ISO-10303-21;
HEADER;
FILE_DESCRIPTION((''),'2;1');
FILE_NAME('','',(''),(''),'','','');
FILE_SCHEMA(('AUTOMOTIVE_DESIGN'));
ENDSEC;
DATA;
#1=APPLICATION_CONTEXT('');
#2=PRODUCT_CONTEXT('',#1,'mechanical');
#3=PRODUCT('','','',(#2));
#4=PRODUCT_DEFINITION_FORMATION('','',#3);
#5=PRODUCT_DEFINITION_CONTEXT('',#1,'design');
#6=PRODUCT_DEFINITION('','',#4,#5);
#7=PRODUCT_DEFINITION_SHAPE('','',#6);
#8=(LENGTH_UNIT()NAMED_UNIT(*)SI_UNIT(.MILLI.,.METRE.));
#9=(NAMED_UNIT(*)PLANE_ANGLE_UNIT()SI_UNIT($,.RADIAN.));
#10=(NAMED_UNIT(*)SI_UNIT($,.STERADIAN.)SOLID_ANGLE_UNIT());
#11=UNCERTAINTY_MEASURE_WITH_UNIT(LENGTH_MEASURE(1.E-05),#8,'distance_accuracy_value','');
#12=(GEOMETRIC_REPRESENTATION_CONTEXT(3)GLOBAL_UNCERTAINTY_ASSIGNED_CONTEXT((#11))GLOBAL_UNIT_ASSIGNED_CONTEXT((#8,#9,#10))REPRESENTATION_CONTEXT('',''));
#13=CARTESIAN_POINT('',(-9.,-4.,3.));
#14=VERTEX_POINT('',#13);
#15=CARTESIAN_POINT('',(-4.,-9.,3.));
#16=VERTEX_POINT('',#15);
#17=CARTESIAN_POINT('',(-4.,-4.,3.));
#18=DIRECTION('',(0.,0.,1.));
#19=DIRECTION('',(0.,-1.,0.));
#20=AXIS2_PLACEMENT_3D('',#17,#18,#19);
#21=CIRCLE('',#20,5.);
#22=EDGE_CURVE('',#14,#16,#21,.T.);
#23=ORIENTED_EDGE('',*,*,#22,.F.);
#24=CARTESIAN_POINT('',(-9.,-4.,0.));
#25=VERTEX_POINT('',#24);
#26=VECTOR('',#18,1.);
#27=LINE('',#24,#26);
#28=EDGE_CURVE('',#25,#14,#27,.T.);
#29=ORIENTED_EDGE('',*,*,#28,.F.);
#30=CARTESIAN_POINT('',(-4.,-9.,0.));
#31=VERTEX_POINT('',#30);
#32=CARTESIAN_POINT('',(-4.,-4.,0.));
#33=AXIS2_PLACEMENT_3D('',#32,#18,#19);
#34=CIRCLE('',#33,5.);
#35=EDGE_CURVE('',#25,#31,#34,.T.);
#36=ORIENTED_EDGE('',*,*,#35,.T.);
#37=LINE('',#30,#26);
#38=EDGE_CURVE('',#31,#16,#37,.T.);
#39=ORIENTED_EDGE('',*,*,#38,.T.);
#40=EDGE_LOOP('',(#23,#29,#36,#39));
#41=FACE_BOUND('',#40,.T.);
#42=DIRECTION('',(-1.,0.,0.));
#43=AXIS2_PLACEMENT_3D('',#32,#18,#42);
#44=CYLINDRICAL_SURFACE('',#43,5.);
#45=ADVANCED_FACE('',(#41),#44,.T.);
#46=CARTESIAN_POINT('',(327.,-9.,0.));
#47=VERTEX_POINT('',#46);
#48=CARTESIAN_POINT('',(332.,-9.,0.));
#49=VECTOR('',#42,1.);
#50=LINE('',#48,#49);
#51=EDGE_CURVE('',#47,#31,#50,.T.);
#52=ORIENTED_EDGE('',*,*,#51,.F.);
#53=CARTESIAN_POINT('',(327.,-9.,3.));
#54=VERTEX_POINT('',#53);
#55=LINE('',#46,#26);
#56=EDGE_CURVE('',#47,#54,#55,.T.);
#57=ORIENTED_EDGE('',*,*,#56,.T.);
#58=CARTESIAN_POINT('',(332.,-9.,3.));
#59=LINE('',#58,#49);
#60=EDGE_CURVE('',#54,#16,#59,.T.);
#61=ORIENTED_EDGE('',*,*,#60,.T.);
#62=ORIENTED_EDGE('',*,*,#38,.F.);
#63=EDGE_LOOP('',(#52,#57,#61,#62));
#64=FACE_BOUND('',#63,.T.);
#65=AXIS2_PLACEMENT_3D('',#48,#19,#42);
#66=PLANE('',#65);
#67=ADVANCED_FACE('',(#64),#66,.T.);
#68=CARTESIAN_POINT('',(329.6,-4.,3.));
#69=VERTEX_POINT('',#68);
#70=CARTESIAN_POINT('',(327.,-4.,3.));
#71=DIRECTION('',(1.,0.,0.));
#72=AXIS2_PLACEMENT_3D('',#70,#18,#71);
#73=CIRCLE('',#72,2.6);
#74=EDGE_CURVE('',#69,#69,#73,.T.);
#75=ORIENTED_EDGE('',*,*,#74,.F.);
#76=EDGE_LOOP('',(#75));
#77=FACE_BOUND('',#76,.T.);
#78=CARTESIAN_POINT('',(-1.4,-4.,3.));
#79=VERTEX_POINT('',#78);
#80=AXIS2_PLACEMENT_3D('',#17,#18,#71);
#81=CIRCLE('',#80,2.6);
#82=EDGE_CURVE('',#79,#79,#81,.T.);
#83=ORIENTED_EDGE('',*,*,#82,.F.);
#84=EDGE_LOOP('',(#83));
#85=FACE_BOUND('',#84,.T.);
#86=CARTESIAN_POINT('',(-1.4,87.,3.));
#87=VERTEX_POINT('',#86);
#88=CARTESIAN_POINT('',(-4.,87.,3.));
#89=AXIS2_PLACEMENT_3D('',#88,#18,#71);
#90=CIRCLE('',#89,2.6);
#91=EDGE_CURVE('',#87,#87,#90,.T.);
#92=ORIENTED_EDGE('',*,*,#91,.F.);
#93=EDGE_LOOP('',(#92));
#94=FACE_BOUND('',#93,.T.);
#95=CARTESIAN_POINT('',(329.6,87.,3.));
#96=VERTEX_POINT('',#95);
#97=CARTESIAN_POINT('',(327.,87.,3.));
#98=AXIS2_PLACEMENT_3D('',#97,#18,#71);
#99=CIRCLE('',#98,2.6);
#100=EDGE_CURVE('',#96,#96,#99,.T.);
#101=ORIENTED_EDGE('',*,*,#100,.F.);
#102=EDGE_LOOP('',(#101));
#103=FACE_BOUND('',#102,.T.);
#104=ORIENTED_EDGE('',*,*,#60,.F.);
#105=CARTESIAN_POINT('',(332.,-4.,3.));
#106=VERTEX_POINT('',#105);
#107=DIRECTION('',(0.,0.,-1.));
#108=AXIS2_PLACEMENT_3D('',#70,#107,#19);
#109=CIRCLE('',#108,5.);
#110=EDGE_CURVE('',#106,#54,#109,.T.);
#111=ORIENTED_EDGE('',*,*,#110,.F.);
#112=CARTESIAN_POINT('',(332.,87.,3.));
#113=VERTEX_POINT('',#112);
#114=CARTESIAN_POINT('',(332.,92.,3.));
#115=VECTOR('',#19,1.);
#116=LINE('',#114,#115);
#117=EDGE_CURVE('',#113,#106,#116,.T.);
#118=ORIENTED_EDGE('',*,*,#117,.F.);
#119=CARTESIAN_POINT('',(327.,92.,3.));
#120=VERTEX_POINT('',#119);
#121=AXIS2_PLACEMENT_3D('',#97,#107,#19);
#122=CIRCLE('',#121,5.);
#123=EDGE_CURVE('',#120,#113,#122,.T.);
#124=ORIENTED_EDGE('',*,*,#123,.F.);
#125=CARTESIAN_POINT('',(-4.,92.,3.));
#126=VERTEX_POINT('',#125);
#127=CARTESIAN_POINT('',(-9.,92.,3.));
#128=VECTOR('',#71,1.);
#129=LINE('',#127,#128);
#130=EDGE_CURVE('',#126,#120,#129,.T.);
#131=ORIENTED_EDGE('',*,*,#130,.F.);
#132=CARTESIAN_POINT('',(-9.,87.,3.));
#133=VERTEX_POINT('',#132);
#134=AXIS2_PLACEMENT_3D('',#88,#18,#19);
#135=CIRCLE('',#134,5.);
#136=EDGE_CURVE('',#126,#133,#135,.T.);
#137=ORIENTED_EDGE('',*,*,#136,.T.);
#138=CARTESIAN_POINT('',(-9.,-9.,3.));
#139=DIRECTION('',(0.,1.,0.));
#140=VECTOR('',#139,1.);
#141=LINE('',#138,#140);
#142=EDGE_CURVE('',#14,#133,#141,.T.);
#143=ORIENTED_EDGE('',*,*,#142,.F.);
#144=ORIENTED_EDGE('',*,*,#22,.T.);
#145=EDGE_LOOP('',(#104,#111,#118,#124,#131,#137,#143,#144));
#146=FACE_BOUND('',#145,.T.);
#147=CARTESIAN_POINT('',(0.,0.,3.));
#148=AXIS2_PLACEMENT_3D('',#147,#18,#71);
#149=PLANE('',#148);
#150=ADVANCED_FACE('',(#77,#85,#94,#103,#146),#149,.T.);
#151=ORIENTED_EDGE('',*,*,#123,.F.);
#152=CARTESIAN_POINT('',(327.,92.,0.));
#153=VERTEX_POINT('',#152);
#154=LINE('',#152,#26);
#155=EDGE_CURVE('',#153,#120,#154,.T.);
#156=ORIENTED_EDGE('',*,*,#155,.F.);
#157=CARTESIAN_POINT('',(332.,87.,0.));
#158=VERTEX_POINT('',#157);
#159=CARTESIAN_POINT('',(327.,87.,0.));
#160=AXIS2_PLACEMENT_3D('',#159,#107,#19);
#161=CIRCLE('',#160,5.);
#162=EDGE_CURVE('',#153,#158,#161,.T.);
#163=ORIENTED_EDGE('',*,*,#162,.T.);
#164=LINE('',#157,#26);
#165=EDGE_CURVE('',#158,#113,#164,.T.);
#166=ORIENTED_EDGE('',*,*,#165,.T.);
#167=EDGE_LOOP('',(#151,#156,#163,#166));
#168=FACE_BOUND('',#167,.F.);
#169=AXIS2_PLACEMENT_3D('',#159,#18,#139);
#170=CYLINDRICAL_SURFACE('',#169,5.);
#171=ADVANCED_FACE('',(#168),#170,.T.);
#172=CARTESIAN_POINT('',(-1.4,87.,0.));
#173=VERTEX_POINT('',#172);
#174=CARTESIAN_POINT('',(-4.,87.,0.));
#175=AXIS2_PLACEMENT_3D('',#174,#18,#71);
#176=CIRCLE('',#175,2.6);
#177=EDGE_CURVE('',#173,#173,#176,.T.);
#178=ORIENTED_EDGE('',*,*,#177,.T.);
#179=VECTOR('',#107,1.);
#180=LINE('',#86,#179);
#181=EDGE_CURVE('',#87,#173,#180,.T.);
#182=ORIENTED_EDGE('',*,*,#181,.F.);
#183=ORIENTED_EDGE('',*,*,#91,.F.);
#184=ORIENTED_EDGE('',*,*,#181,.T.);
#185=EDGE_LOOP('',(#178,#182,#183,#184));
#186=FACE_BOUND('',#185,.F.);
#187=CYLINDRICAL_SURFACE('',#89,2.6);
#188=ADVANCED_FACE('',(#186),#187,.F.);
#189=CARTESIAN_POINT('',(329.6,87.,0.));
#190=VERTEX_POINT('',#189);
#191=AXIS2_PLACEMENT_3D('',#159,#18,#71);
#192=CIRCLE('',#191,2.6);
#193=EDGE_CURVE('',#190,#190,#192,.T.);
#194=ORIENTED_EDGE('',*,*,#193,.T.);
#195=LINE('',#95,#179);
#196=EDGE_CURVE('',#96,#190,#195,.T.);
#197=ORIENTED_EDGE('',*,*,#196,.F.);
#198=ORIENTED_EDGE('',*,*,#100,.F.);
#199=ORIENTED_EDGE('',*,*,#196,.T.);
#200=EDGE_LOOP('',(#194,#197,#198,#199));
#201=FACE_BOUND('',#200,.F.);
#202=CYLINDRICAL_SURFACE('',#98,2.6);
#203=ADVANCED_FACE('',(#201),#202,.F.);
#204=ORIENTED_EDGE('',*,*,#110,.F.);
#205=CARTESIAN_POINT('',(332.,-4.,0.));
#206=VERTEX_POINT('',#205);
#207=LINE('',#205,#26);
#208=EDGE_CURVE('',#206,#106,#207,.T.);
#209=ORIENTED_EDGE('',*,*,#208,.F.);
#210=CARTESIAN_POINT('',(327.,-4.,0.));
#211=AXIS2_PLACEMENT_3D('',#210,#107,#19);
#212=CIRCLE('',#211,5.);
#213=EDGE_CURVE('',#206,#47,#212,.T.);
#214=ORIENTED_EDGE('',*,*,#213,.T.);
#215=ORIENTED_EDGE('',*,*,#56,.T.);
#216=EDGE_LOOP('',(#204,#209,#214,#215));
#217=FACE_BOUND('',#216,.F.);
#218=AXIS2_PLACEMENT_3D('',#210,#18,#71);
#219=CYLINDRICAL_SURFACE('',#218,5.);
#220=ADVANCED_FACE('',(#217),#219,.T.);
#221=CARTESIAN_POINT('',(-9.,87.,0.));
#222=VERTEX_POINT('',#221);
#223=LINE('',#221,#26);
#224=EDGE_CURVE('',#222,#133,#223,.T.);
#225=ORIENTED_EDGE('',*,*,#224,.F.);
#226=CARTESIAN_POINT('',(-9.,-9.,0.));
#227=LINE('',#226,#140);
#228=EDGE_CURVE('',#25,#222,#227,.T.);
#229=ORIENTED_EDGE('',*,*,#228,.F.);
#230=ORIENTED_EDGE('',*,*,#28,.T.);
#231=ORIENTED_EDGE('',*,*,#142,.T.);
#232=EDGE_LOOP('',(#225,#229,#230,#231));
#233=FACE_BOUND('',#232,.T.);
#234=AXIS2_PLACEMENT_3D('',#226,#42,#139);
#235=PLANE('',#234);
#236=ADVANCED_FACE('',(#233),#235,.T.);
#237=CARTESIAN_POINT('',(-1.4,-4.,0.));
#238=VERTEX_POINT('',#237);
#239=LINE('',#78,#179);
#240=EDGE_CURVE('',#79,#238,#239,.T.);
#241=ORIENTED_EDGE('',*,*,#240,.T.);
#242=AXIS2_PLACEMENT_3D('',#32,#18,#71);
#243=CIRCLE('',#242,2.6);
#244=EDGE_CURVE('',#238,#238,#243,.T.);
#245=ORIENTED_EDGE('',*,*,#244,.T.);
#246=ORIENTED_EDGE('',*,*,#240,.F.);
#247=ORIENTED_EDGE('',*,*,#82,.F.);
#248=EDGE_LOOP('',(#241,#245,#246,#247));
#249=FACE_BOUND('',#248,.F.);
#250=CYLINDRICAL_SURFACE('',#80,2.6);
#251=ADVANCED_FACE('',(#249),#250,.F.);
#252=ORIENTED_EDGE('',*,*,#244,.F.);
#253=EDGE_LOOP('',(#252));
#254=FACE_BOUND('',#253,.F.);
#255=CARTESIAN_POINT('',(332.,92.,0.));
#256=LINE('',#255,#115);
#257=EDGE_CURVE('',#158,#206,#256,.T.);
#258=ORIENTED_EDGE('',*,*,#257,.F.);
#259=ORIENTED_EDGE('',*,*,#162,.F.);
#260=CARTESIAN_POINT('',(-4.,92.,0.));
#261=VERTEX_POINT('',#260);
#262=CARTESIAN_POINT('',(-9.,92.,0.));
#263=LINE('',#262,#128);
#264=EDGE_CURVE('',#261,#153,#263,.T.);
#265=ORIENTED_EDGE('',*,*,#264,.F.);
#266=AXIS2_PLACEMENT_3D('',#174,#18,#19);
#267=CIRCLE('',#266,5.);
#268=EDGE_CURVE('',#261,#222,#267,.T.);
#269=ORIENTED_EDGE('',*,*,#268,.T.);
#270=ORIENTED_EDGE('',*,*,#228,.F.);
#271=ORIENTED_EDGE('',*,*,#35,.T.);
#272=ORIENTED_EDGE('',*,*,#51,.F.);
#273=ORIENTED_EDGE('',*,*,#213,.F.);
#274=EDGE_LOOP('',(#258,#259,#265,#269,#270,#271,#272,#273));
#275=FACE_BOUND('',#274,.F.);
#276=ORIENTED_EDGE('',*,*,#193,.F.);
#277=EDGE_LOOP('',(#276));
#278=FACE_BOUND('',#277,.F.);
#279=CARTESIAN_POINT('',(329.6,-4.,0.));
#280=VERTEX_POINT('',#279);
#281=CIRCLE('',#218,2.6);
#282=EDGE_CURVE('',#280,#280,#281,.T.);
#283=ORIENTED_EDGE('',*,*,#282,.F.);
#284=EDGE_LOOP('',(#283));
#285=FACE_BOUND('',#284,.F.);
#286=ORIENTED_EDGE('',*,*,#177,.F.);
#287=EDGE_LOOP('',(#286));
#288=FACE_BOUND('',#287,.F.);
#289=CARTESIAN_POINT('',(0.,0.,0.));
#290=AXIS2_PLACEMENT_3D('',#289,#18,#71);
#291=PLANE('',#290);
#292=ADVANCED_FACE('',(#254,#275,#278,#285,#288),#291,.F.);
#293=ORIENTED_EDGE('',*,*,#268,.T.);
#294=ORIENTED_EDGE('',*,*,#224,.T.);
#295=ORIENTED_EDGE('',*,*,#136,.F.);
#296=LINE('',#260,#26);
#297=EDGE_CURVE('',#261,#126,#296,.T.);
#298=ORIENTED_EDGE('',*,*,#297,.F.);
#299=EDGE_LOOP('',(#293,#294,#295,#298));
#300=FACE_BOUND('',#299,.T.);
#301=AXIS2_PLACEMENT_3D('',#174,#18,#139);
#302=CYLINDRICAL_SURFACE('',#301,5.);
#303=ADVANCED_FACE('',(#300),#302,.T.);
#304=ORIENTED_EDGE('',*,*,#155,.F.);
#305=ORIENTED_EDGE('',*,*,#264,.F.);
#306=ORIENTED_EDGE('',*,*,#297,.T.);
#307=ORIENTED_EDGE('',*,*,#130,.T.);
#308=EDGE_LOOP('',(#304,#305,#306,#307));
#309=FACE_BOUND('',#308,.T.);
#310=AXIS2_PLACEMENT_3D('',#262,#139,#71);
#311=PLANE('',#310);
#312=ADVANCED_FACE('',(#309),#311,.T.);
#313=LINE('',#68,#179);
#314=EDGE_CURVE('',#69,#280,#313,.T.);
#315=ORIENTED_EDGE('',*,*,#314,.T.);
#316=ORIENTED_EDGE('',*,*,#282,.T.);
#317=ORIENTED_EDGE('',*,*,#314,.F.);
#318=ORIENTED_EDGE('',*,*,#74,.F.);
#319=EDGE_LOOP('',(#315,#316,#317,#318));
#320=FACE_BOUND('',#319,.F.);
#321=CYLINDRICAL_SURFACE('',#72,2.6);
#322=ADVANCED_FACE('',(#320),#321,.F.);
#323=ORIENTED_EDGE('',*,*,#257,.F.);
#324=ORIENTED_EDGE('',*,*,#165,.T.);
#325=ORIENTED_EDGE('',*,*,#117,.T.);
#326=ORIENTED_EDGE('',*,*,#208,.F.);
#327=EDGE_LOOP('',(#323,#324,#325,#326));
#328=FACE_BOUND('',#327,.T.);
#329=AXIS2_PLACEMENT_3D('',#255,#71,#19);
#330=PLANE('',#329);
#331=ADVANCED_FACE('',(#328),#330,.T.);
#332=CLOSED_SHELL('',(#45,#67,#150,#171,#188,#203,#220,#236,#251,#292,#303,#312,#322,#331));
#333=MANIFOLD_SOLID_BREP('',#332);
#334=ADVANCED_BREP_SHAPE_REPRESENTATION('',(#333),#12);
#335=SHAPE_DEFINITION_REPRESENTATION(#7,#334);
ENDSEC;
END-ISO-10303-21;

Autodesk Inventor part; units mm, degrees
ref_plane "YZ Plane" through (0, 0, 0) normal (1, 0, 0) x (0, 1, 0)
ref_plane "XZ Plane" through (0, 0, 0) normal (0, 1, 0) x (-1, 0, 0)
ref_plane "XY Plane" through (0, 0, 0) normal (0, 0, 1) x (1, 0, 0)
sketch "Sketch1" plane through (0, 0, 0) normal (0, 0, 1) x (1, 0, 0)
  line L0 (0, 0) -> (323, 0)
  line L1 (323, 0) -> (323, 83)
  line L2 (323, 83) -> (0, 83)
  line L3 (0, 83) -> (0, 0)
  line L4 (-9, 92) -> (332, 92)
  line L5 (332, 92) -> (332, -9)
  line L6 (332, -9) -> (-9, -9)
  line L7 (-9, -9) -> (-9, 92)
  dimension "d0" = 323
  dimension "d1" = 83
  dimension "d2" = 9
extrude "Extrusion1" add sketch "Sketch1" along normal blind 3 contours L3 L2 L1 L0 | L4 L5 L6 L7
sketch "Sketch2" plane through (0, 0, 3) normal (0, 0, 1) x (1, 0, 0)
  circle A0 centre (-4, 87) radius 2.6
  line L0 (332, 92) -> (-9, 92) projected
  line L1 (-9, 92) -> (-9, -9) projected
  line L2 (0, 0) -> (323, 0)
  line L3 (323, 0) -> (323, 83)
  line L4 (323, 83) -> (0, 83)
  line L5 (0, 83) -> (0, 0)
  line L6 (-9, -9) -> (332, -9) projected
  line L7 (332, -9) -> (332, 92) projected
  circle A1 centre (-4, 87) radius 3.5
  circle A2 centre (-4, -4) radius 2.6
  circle A3 centre (327, -4) radius 2.6
  circle A4 centre (327, 87) radius 2.6
  point P0 (0, 0)
  dimension "d6" = 5.2
  dimension "d9" = 9
  dimension "d10" = 9
  dimension "d11" = 9
  dimension "d12" = 9
  dimension "d15" = 7
  dimension "d16" = 5
  dimension "d17" = 5
  dimension "d18" = 5.2
  dimension "d19" = 5
  dimension "d20" = 5
  dimension "d21" = 5.2
  dimension "d22" = 5
  dimension "d23" = 5
  dimension "d24" = 5.2
  dimension "d25" = 5
  dimension "d26" = 5
extrude "Extrusion2" cut sketch "Sketch2" against normal blind 3 contours A0 | A2 | A3 | A4
fillet "Fillet2" radius 5 4 edges at (332, 92, 1.5) (332, -9, 1.5) (-9, 92, 1.5) (-9, -9, 1.5)
properties part number "Acrylic Front Plate"
